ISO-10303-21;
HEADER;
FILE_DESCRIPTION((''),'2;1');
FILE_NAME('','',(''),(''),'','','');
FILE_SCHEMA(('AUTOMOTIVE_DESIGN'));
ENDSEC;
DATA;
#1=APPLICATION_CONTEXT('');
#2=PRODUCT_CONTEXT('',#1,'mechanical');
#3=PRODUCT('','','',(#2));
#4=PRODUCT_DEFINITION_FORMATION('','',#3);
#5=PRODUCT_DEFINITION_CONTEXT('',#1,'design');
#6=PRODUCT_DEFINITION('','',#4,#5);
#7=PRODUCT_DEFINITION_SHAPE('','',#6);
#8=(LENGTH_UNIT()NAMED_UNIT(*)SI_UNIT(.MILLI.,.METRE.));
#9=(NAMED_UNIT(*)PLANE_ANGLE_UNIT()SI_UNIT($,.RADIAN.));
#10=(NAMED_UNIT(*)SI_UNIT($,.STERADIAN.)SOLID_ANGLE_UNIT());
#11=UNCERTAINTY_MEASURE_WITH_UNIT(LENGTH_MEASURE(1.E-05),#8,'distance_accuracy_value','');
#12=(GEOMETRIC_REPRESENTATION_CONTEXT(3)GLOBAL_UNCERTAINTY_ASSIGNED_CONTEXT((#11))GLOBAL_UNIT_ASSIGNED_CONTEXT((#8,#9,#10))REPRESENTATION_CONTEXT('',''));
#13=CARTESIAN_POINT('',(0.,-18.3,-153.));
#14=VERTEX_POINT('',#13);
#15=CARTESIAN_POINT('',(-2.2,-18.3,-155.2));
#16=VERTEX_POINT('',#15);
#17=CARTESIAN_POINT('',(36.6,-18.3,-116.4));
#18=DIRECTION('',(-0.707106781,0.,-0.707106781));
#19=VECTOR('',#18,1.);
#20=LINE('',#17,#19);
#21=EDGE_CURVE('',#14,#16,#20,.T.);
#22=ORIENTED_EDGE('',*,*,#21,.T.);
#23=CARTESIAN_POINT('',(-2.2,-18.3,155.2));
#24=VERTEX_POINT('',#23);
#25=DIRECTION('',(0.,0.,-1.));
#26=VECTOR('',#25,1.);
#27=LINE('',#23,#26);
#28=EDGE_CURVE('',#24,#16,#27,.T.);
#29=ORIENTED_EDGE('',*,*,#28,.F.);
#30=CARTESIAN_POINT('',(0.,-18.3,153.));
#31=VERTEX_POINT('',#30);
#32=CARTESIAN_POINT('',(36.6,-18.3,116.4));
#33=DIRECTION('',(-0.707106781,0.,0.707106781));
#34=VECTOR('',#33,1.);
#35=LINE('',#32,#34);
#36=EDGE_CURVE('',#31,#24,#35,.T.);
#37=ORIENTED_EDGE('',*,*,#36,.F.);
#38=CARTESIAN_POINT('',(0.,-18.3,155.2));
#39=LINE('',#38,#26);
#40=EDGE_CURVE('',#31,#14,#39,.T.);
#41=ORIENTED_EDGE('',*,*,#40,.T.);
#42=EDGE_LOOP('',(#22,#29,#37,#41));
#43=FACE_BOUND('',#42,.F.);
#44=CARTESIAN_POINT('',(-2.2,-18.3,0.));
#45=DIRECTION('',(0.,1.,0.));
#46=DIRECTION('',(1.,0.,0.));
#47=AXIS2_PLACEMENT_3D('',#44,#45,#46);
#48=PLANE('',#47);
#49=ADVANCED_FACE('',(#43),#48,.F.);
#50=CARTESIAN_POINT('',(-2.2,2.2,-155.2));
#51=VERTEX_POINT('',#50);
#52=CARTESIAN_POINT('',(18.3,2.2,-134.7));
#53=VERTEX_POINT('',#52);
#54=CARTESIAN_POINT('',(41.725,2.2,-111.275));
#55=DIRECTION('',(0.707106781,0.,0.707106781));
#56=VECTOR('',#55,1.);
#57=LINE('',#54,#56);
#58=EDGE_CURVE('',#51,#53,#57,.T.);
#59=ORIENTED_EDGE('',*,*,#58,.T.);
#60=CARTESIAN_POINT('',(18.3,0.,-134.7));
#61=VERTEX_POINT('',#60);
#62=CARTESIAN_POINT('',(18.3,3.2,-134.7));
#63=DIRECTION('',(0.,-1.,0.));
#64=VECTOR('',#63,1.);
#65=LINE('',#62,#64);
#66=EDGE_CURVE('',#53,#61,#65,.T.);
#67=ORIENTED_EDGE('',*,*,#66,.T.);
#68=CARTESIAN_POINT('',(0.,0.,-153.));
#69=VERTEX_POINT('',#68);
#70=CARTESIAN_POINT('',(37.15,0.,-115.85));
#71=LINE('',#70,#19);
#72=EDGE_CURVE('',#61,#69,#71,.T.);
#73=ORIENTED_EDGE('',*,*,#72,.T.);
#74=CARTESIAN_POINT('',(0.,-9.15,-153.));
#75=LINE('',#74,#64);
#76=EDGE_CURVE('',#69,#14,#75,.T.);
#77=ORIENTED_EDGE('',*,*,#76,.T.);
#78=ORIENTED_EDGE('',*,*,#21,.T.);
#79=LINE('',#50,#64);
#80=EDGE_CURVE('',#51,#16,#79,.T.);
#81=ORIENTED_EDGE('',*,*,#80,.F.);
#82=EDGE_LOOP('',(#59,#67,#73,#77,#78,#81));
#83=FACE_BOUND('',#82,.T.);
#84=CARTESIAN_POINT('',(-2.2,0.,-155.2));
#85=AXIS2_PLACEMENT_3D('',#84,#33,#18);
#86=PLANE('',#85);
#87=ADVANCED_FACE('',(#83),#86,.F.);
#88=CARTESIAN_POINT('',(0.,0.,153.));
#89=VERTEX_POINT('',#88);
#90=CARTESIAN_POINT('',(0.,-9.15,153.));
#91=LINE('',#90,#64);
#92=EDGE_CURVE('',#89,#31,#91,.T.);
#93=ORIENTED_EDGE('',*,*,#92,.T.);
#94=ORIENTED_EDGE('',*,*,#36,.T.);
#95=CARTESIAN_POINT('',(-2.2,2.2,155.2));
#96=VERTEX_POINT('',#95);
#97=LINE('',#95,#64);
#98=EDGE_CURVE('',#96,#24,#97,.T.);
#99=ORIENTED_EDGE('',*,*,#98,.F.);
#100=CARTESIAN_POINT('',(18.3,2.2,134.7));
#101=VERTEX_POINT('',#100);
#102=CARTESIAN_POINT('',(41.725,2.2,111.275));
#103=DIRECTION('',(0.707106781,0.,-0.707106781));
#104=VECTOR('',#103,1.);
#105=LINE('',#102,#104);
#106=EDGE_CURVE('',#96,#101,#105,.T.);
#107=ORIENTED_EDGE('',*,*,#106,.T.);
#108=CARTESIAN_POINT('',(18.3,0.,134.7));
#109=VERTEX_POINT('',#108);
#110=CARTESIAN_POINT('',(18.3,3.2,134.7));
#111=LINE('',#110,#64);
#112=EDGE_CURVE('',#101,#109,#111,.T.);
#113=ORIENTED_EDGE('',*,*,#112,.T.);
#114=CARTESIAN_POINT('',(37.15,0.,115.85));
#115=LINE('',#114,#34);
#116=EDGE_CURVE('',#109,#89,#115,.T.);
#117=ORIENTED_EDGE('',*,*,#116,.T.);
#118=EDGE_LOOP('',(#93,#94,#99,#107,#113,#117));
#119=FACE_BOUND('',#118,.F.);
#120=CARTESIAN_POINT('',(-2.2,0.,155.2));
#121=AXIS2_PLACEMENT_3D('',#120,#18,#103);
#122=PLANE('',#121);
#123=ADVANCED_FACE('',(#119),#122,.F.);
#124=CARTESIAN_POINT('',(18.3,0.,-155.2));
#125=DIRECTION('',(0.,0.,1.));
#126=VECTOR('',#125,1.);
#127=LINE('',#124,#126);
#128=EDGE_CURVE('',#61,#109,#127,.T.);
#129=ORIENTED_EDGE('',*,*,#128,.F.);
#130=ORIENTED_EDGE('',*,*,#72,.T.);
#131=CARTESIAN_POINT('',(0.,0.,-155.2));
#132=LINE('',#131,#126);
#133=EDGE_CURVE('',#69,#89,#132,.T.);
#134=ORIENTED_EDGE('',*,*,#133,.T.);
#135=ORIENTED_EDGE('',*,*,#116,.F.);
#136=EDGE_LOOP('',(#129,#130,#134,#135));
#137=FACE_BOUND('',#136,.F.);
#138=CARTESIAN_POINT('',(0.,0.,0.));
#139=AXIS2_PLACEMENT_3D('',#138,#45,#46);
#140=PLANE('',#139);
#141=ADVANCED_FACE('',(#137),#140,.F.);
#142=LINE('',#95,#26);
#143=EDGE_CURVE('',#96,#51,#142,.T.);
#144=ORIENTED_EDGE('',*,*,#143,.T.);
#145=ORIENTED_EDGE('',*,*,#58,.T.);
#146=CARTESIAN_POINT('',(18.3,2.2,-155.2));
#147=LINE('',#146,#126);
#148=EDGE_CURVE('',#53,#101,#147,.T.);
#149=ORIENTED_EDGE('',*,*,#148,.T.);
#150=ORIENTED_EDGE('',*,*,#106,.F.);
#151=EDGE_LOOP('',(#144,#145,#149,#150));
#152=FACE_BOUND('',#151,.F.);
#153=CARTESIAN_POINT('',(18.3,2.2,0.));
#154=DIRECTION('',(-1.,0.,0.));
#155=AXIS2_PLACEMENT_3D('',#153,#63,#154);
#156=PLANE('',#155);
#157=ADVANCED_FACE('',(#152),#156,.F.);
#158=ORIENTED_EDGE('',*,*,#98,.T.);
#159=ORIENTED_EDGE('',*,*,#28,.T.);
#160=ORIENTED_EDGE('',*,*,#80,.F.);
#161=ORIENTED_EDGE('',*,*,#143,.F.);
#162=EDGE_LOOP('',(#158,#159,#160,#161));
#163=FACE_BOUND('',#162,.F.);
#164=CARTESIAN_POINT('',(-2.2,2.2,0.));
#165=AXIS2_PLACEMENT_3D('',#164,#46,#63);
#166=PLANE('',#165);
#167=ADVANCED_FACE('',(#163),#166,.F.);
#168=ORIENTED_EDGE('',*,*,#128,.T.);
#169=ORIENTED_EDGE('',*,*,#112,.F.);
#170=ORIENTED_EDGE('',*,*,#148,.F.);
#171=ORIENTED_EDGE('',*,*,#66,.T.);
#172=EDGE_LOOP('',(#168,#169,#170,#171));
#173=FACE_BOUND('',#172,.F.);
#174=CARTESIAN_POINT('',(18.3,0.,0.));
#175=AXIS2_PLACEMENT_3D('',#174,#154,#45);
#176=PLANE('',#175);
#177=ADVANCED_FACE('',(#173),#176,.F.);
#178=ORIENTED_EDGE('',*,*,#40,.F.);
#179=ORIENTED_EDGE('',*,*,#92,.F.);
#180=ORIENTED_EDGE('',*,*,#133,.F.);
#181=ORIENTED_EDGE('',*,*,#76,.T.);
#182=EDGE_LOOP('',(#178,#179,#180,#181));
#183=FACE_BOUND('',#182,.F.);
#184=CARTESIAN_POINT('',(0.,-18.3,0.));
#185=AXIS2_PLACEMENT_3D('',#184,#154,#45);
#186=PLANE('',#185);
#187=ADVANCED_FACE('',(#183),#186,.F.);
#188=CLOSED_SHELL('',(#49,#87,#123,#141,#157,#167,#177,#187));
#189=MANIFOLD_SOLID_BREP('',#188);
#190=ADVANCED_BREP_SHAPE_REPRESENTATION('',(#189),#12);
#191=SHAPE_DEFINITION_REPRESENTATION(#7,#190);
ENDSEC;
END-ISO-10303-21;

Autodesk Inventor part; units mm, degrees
ref_plane "YZ Plane" through (0, 0, 0) normal (1, 0, 0) x (0, 1, 0)
ref_plane "XZ Plane" through (0, 0, 0) normal (0, 1, 0) x (-1, 0, 0)
ref_plane "XY Plane" through (0, 0, 0) normal (0, 0, 1) x (1, 0, 0)
sketch "Esquisse1" plane through (0, 0, 0) normal (0, 0, 1) x (1, 0, 0)
  line L0 (0, 0) -> (18.3, 0)
  line L1 (18.3, 0) -> (18.3, 2.2)
  line L2 (18.3, 2.2) -> (-2.2, 2.2)
  line L3 (-2.2, 2.2) -> (-2.2, -18.3)
  line L4 (-2.2, -18.3) -> (0, -18.3)
  line L5 (0, -18.3) -> (0, 0)
  dimension "Epaisseur_cornière" = 2.2
  dimension "Largueur" = 20.5
extrude "Embase" add sketch "Esquisse1" along normal mid plane 310.4
sketch "Esquisse2" plane through (0, 0, 0) normal (0, 1, 0) x (-1, 0, 0)
  line L0 (2.2, 155.2) -> (-18.3, 134.7)
  line L1 (-18.3, 134.7) -> (-18.3, 155.2)
  line L2 (-18.3, 155.2) -> (2.2, 155.2)
  line L3 (-18.3, 155.2) -> (2.2, 155.2) construction
  line L4 (2.2, -155.2) -> (2.2, 155.2) construction
  line L5 (-18.3, -155.2) -> (-18.3, 155.2) construction
  point P0 (0, 0)
  dimension "d4" = 45
extrude "Découpe à 45" cut sketch "Esquisse2" along normal through all both and the other way through all
mirror "Symétrie découpe" about plane through (0, 0, 0) normal (0, 0, 1) of "Découpe à 45"
properties part number "Profilé superieur cote" material "Aluminium 6061"
